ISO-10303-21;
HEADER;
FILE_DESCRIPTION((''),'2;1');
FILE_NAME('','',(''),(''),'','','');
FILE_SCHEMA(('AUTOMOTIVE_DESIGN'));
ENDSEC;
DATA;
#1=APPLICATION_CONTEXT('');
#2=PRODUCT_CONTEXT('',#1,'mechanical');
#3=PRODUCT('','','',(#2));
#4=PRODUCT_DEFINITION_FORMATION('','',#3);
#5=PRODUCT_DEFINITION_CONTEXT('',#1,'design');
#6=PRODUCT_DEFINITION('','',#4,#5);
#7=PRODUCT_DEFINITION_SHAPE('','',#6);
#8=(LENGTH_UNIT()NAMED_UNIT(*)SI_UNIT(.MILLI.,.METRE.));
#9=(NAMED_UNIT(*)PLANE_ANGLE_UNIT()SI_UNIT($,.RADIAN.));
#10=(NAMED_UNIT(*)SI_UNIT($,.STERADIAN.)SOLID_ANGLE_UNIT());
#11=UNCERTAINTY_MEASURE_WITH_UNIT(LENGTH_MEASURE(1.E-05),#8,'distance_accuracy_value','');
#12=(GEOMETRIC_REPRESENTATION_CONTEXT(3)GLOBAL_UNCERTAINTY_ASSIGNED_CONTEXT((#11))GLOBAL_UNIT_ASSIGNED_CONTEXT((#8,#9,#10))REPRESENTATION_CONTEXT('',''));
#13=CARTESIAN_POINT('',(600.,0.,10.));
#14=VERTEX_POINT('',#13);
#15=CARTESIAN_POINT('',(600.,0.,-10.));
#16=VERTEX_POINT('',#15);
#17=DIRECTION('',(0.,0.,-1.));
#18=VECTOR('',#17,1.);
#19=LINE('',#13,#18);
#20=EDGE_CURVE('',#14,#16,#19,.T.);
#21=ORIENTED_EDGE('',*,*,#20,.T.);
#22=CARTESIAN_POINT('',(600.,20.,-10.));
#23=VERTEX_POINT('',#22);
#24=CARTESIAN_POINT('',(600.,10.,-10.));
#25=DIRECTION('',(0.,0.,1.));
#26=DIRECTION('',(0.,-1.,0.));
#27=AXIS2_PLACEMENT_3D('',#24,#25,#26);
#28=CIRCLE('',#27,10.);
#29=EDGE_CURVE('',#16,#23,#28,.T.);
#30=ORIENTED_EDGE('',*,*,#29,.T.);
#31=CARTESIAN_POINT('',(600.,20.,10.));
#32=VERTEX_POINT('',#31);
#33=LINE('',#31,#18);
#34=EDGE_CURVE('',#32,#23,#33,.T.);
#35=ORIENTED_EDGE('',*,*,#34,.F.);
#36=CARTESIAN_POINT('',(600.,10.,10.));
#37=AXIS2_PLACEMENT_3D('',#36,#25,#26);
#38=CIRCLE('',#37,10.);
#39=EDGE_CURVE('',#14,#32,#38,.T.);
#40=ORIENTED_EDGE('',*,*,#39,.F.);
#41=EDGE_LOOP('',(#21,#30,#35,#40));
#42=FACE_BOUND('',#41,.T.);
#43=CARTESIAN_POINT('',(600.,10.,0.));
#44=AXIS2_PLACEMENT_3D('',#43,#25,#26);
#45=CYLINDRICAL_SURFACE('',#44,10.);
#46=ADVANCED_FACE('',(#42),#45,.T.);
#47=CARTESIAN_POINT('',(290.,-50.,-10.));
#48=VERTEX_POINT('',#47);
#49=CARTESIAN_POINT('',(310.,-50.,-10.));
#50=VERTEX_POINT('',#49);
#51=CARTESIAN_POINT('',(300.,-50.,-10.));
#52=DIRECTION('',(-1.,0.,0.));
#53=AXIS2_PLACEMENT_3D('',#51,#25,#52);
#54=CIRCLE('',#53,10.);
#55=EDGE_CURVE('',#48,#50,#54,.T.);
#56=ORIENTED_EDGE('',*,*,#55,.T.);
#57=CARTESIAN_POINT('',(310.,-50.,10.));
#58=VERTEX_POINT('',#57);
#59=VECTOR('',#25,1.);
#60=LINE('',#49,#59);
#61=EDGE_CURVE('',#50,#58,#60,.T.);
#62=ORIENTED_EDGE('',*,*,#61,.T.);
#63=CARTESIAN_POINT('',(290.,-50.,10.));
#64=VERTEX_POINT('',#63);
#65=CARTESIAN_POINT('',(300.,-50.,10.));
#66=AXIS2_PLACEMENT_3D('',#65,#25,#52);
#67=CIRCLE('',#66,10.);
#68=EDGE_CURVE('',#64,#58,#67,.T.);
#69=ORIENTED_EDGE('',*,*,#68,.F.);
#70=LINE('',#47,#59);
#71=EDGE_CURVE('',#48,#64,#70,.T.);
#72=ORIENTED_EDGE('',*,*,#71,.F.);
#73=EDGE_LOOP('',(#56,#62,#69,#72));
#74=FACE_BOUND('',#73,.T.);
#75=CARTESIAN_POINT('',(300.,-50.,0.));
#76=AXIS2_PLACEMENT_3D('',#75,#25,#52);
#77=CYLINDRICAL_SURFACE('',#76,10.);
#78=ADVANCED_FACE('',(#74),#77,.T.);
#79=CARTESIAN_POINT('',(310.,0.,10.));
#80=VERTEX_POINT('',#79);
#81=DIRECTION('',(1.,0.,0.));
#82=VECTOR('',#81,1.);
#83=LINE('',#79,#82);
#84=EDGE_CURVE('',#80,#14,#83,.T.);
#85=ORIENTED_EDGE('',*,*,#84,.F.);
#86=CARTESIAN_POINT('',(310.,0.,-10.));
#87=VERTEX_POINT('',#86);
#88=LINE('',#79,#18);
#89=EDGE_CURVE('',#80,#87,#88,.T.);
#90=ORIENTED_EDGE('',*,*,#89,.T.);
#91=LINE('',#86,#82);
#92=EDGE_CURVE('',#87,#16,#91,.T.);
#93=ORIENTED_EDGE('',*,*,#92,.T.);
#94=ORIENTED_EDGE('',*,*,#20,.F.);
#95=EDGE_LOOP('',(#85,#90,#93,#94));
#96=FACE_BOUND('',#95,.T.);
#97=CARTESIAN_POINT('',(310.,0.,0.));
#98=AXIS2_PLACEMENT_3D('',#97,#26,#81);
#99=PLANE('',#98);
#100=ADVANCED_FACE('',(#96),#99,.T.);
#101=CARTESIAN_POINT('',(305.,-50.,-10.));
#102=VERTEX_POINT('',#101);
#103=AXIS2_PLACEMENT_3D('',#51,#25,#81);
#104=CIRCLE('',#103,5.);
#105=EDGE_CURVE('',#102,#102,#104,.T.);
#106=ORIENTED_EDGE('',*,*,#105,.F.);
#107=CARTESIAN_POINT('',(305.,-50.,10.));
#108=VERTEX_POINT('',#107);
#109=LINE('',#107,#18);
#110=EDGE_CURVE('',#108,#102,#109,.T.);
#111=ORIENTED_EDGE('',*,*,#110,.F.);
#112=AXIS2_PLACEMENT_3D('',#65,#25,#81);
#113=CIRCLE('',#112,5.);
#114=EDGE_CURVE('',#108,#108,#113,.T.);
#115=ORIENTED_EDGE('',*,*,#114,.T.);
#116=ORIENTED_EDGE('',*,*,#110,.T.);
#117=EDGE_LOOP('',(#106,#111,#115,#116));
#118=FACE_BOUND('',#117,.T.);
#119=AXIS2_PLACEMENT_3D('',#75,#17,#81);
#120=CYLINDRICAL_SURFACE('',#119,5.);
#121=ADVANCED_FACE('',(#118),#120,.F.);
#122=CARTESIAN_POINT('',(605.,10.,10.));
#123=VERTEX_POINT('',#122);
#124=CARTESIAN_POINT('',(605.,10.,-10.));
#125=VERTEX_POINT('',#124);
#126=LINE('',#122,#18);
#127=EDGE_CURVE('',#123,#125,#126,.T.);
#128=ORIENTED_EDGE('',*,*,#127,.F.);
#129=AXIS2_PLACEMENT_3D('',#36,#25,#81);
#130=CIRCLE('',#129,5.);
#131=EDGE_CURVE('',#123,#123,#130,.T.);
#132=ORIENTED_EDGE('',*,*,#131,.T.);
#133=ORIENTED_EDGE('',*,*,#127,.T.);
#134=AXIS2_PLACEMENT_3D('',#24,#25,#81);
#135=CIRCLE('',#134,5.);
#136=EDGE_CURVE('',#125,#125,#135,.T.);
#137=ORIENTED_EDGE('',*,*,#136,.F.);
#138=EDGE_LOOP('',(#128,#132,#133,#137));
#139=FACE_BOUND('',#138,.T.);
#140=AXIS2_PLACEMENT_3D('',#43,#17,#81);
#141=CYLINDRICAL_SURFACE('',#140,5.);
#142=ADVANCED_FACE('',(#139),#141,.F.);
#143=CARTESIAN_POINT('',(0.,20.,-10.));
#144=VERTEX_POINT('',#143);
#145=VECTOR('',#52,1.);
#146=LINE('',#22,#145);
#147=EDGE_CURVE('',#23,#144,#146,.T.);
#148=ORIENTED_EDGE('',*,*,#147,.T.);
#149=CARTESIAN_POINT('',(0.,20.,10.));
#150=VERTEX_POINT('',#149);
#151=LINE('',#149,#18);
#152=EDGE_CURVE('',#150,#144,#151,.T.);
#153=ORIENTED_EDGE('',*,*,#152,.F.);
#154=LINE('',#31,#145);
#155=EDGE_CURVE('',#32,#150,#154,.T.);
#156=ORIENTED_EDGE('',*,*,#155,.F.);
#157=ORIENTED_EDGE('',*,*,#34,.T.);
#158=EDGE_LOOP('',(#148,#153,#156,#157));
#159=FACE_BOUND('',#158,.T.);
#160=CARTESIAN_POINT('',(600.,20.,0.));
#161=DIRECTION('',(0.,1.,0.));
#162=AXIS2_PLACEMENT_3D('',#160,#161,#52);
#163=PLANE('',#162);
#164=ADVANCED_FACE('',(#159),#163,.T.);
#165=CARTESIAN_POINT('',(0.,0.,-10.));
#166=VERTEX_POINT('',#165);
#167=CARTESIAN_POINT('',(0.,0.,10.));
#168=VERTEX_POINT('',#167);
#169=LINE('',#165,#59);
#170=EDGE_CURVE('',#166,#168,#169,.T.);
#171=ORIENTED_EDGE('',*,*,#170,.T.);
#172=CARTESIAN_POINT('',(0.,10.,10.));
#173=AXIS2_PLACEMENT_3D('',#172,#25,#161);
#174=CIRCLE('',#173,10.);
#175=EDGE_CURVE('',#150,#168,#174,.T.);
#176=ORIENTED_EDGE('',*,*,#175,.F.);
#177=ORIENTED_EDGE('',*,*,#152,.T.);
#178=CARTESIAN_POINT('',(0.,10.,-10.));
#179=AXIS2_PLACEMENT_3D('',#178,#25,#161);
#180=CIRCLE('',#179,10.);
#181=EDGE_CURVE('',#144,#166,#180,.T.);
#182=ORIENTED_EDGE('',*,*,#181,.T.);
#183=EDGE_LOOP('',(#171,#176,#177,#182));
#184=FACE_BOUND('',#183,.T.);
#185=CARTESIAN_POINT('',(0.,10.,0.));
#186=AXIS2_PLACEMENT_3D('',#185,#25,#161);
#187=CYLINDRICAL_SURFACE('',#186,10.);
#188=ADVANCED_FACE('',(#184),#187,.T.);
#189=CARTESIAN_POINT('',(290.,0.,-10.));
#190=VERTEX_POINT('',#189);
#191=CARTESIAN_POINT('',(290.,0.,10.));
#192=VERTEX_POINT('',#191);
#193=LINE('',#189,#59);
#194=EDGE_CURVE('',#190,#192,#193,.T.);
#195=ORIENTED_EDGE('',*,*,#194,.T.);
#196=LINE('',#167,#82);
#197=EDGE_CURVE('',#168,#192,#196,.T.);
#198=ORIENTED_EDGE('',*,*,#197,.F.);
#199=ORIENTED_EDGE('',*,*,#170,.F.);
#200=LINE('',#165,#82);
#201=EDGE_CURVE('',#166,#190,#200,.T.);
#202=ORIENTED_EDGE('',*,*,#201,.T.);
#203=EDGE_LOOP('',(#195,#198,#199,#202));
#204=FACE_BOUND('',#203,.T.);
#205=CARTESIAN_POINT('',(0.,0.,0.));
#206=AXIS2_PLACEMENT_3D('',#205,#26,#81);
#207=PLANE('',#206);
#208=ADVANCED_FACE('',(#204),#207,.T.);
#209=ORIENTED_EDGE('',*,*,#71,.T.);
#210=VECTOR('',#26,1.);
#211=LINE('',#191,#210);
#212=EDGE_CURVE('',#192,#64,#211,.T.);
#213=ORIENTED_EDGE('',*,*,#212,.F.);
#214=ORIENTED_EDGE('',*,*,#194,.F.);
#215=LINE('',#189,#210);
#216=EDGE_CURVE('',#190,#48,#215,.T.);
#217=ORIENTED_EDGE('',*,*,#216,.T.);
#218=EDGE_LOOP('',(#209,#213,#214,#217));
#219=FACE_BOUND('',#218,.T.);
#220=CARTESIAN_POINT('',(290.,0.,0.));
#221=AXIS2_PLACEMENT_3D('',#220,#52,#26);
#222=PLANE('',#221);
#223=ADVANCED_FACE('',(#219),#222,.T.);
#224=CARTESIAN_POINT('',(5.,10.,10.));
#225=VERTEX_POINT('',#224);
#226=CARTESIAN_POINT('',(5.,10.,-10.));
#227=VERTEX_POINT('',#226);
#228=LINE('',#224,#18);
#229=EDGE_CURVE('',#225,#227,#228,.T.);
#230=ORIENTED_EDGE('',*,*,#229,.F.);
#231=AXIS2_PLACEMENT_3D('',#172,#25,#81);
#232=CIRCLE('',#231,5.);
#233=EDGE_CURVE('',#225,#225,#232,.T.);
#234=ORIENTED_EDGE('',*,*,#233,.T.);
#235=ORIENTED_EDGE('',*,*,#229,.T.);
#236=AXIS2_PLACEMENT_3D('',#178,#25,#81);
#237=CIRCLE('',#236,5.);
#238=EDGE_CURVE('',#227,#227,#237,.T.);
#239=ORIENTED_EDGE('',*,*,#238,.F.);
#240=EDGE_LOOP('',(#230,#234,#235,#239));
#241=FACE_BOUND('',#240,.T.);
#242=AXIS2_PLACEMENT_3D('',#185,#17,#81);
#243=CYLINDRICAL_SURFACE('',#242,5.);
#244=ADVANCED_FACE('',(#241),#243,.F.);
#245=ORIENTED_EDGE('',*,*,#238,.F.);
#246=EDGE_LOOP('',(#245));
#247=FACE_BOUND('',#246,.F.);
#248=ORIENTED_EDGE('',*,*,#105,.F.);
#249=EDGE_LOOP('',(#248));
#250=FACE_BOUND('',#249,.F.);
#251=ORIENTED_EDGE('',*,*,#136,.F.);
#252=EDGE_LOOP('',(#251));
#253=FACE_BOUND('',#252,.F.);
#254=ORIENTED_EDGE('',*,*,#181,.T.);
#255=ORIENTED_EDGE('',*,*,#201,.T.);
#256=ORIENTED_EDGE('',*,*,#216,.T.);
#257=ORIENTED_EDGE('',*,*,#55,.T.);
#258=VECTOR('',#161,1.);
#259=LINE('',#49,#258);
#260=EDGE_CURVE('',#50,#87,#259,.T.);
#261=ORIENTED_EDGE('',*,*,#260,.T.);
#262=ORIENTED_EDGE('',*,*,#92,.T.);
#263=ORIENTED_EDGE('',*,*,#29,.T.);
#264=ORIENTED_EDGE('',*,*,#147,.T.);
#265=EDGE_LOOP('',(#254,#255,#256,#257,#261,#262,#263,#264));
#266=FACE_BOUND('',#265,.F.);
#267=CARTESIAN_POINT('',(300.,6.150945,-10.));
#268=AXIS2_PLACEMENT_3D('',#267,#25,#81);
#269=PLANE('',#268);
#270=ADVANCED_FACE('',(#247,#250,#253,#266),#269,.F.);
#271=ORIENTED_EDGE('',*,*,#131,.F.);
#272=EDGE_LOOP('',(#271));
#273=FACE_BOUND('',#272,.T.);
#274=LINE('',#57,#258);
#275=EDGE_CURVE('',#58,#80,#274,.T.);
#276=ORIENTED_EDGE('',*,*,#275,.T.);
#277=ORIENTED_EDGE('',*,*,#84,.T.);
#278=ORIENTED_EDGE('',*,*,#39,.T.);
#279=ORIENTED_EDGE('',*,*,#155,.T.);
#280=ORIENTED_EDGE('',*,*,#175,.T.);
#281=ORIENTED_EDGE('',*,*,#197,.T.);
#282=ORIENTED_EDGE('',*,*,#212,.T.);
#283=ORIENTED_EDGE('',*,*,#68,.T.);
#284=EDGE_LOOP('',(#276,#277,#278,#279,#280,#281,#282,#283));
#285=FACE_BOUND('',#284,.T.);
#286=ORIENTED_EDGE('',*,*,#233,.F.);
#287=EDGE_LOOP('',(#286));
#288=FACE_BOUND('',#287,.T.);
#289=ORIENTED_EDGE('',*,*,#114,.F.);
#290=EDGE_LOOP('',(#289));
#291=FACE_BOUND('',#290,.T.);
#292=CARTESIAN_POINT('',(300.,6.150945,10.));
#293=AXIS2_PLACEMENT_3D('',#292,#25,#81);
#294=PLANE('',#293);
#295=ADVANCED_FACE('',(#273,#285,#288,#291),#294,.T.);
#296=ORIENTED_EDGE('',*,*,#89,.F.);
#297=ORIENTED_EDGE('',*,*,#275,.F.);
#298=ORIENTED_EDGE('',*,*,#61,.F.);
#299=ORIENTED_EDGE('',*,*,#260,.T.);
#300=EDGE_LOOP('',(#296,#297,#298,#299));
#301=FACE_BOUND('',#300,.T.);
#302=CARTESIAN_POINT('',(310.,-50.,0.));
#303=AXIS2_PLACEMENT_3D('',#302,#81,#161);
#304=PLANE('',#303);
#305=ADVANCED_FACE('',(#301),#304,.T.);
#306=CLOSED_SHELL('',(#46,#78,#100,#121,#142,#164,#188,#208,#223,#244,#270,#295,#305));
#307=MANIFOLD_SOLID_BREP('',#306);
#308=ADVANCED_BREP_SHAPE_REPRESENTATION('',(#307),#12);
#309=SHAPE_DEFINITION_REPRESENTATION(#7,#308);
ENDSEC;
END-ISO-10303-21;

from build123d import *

# Parameters (mm, degrees)
F0_R     = 5
F1_DEPTH = 10


with BuildPart() as f1:
    # F0 (on Top) → F1 (new body, symmetric)
    with BuildSketch(Plane.XY):
        with BuildLine():
            ThreePointArc((0, 20), (-10, 10), (0, 0))
            Line((0, 0), (290, 0))
            Line((290, 0), (290, -50))
            ThreePointArc((290, -50), (300, -60), (310, -50))
            Line((310, -50), (310, 0))
            Line((310, 0), (600, 0))
            ThreePointArc((600, 0), (610, 10), (600, 20))
            Line((600, 20), (0, 20))
        make_face()
        with Locations((300, -50)):
            Circle(F0_R, mode=Mode.SUBTRACT)
        with Locations((0, 10)):
            Circle(F0_R, mode=Mode.SUBTRACT)
        with Locations((600, 10)):
            Circle(F0_R, mode=Mode.SUBTRACT)
    extrude(amount=F1_DEPTH, both=True)


solid = f1.part
